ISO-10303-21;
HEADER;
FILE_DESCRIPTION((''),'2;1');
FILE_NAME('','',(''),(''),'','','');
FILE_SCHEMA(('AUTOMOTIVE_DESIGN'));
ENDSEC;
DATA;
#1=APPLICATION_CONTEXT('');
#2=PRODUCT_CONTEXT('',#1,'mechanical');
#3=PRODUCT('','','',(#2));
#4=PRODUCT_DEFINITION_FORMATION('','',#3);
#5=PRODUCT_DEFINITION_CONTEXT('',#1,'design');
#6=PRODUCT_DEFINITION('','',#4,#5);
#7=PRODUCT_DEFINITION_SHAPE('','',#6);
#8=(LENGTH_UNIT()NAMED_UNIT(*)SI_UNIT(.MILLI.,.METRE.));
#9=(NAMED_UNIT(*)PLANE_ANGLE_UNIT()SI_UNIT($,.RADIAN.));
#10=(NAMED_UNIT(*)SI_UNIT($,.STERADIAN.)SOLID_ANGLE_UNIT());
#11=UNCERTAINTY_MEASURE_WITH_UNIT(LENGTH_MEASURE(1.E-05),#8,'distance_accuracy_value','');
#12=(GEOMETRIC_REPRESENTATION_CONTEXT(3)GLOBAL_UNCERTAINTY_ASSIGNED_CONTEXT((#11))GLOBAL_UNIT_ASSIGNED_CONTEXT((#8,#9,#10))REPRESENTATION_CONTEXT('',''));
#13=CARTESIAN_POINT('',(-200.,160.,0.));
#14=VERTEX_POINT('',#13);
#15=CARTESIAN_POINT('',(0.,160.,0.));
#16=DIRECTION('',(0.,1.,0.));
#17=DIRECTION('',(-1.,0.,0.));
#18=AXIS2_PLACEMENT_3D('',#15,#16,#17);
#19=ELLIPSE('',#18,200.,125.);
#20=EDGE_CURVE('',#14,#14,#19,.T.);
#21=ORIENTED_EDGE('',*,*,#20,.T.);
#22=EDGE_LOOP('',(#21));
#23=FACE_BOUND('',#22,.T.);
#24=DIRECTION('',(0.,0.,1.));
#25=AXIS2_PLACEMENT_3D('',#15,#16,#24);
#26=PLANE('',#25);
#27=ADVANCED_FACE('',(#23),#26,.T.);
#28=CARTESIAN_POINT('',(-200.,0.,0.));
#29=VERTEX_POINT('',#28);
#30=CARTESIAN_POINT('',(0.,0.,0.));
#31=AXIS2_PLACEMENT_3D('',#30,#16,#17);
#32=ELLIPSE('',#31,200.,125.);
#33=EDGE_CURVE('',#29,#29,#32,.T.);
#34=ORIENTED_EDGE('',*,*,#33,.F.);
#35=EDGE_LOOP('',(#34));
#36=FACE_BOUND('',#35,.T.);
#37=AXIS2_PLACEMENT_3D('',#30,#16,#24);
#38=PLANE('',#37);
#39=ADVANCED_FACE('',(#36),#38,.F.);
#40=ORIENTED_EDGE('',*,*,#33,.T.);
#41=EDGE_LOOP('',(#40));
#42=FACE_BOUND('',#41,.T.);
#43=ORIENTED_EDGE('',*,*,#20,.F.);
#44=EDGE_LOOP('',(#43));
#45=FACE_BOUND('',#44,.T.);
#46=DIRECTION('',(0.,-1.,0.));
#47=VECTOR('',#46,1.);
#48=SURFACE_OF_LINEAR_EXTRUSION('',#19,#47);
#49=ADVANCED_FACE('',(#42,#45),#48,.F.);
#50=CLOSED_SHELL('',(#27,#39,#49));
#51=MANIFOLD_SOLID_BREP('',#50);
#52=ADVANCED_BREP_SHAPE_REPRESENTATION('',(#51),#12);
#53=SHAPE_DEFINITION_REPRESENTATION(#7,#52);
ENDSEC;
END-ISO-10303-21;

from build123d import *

# Parameters (mm, degrees)
LEATHER_BELT_RX     = 200
LEATHER_BELT_RY     = 125
BOSS_EXTRUDE1_DEPTH = 160


with BuildPart() as part:
    # Leather_belt → Boss-Extrude1 (new body)
    with BuildSketch(Plane(origin=(0, 0, 0), x_dir=(1, 0, 0), z_dir=(0, 1, 0))):
        with Locations(Location((0, 0), (0, 0, 180))):
            Ellipse(LEATHER_BELT_RX, LEATHER_BELT_RY)
    extrude(amount=BOSS_EXTRUDE1_DEPTH)


solid = part.part
